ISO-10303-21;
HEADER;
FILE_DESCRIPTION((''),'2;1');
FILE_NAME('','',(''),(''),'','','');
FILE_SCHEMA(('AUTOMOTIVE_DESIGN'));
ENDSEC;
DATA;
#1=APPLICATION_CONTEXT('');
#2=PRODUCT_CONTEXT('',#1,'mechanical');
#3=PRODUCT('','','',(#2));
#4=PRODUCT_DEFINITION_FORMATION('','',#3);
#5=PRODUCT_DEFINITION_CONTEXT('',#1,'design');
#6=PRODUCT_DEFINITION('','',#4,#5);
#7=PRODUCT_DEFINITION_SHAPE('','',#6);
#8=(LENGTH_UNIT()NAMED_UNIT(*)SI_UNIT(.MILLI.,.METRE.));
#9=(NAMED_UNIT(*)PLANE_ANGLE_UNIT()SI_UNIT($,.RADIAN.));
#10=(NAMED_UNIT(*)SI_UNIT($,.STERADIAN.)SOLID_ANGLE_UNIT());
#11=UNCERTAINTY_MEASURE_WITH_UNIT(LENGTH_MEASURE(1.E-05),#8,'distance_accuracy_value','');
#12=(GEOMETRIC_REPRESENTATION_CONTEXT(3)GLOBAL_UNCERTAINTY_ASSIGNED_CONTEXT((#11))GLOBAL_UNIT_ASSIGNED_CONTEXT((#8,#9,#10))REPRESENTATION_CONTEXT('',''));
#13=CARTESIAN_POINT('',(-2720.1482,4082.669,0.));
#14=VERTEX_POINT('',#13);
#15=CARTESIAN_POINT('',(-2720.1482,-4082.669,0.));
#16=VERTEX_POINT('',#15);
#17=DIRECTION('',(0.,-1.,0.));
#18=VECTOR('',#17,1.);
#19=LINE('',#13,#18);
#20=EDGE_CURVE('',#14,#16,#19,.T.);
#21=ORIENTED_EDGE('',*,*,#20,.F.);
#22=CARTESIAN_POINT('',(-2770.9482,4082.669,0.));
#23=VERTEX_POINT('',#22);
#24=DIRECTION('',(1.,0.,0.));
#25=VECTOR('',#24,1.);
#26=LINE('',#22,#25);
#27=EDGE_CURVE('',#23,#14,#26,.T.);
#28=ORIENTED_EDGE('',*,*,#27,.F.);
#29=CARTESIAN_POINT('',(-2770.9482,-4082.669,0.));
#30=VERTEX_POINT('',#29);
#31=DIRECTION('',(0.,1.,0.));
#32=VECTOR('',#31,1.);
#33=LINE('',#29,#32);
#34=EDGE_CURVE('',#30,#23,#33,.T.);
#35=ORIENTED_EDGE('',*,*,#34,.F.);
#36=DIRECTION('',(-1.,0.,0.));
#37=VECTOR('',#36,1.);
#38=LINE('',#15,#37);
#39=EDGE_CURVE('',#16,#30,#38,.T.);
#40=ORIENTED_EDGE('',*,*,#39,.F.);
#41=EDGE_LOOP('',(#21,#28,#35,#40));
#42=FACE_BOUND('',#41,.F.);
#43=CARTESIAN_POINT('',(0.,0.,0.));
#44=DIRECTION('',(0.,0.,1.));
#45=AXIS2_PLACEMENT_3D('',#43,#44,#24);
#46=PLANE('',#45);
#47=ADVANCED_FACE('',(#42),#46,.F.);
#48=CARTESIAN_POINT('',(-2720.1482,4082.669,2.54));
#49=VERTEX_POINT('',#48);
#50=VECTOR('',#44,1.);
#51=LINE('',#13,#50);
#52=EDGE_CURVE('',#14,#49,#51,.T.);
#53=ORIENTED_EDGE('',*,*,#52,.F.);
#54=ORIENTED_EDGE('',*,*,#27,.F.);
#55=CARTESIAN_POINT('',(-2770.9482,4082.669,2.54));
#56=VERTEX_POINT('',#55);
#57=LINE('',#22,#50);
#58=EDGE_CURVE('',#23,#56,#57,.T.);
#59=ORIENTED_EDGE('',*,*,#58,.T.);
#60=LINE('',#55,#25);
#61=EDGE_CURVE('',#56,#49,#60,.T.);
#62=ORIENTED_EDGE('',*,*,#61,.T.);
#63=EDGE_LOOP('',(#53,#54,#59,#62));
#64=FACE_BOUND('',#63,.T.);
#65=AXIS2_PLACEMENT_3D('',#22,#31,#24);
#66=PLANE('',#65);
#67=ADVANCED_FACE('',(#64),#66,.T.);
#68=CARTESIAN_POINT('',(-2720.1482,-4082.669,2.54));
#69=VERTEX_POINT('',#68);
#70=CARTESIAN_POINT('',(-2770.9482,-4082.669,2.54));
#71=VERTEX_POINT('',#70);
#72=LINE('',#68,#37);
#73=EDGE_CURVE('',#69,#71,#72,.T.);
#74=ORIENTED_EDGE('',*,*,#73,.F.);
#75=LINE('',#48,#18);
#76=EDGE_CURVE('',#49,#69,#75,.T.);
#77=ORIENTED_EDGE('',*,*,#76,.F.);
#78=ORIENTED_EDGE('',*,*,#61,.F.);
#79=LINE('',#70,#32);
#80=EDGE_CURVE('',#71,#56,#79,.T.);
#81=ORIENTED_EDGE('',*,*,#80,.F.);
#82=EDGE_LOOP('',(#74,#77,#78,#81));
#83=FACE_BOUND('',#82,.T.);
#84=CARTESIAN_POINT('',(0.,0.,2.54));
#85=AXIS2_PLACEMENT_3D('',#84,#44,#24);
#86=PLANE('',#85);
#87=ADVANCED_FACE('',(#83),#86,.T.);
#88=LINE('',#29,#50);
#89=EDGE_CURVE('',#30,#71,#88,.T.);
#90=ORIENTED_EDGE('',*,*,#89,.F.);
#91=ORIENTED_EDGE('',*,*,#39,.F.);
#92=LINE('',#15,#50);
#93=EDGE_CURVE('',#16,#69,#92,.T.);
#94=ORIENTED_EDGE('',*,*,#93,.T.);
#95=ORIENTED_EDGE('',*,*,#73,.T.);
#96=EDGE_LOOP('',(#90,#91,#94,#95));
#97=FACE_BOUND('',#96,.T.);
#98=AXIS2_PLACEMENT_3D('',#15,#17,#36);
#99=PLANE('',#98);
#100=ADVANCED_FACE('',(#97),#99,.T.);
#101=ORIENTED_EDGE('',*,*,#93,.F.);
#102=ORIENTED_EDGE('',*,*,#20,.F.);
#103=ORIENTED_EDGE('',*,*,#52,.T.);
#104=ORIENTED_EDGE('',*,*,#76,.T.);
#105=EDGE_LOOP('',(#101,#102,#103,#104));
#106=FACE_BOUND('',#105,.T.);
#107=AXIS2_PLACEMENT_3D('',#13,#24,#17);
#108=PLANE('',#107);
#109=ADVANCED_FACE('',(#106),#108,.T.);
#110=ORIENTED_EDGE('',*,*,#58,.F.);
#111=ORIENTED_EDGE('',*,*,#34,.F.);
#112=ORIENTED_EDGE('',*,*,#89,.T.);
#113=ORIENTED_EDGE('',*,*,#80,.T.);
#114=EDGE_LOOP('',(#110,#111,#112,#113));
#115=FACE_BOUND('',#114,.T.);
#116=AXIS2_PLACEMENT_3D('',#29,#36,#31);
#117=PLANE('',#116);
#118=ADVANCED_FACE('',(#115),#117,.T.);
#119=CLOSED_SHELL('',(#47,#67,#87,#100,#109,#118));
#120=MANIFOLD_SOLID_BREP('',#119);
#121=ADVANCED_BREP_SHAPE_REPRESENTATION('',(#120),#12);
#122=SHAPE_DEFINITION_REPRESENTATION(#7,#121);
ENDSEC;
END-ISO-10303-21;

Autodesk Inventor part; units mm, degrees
ref_plane "YZ Plane" through (0, 0, 0) normal (1, 0, 0) x (0, 1, 0)
ref_plane "XZ Plane" through (0, 0, 0) normal (0, 1, 0) x (-1, 0, 0)
ref_plane "XY Plane" through (0, 0, 0) normal (0, 0, 1) x (1, 0, 0)
ref_plane "Work Plane1" through (0, 0, 0) normal (0, 0, 1) x (1, 0, 0)
sketch "Sketch1" plane through (0, 0, 0) normal (0, 0, 1) x (1, 0, 0)
  line L0 (-2770.9482, 4082.669) -> (-2720.1482, 4082.669)
  line L1 (-2720.1482, 4082.669) -> (-2720.1482, -4082.669)
  line L2 (-2720.1482, -4082.669) -> (-2770.9482, -4082.669)
  line L3 (-2770.9482, -4082.669) -> (-2770.9482, 4082.669)
  line L4 (-8248.396, -4082.669) -> (8248.396, -4082.669) projected
  line L5 (8248.396, -4082.669) -> (8248.396, 4082.669) projected
  line L6 (8248.396, 4082.669) -> (-8248.396, 4082.669) projected
  line L7 (-8248.396, 4082.669) -> (-8248.396, -4082.669) projected
  point P0 (0, 0)
  dimension "d0" = 50.8
extrude "Extrusion1" add sketch "Sketch1" along normal blind 2.54 contours L0 L1 L2 L3
properties part number "BlueLineMarking" material "ABS Plastic"
